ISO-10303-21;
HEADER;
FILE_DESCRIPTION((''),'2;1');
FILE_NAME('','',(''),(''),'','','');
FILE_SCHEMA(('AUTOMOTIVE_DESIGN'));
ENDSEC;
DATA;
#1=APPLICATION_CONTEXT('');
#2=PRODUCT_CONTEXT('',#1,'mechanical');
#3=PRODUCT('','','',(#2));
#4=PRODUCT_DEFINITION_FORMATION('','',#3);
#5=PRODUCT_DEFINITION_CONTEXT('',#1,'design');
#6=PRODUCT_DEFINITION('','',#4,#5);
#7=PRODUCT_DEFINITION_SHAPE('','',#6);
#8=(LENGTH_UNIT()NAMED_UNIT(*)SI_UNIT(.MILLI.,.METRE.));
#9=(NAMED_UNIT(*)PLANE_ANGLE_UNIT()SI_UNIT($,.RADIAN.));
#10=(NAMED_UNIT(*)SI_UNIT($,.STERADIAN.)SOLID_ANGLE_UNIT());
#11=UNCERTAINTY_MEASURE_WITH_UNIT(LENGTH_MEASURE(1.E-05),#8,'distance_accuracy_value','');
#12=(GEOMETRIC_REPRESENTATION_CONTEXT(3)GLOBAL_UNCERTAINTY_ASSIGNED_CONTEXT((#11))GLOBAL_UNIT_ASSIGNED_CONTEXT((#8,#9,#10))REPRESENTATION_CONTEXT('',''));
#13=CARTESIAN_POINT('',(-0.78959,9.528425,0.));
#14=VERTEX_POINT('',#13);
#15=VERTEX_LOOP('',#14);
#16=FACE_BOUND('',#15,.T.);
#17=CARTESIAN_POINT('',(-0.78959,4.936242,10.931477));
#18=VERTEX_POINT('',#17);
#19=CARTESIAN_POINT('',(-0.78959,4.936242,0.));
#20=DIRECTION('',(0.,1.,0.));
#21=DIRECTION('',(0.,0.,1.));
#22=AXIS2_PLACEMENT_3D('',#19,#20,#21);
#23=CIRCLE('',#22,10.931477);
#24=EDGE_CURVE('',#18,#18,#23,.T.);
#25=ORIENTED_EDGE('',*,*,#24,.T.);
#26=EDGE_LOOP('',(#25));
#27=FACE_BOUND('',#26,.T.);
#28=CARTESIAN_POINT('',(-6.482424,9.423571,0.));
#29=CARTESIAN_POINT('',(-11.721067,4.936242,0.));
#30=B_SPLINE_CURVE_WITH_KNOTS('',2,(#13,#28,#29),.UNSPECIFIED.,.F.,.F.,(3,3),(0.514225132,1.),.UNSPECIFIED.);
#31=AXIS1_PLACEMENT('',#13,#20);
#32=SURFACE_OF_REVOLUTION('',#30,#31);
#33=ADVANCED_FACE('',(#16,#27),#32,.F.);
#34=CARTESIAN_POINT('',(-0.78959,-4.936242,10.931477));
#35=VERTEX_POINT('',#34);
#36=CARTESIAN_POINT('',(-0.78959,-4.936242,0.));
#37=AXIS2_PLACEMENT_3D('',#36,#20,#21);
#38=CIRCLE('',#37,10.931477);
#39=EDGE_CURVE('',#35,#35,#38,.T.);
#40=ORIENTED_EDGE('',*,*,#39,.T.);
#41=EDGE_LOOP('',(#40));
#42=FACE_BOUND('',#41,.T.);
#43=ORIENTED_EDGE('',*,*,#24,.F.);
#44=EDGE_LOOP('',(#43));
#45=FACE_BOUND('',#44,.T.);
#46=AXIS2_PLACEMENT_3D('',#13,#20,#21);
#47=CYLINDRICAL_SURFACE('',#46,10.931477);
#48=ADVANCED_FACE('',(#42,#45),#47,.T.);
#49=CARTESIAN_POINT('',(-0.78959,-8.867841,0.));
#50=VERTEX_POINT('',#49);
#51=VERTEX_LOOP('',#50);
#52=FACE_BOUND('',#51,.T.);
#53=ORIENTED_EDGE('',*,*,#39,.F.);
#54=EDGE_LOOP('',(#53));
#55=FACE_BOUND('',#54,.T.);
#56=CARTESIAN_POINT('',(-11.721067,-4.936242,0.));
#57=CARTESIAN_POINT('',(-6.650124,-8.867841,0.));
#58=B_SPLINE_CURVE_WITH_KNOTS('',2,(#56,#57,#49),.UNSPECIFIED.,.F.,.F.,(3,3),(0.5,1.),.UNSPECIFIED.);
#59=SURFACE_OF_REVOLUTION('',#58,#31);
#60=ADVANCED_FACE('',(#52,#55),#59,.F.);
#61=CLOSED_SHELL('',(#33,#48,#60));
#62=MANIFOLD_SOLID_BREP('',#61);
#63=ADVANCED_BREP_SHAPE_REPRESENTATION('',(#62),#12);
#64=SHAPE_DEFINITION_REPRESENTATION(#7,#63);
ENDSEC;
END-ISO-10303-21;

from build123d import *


with BuildPart() as part:
    # Sketch3 → Revolve4 (revolve)
    with BuildSketch(Plane.XY, mode=Mode.PRIVATE) as revolve4_sk:
        with BuildLine():
            Line((-11.721067324, 4.936241933), (-11.721067324, -4.936241933))
            add(Edge.make_bspline(
                [(-0.789590036, -8.867840545), (-6.650123698, -8.867840545), (-11.721067324, -4.936241933)],
                knots=[0.5, 0.5, 0.5, 1, 1, 1], degree=2))
            Line((-0.789590036, -8.867840545), (-0.789590036, 9.52842534))
            add(Edge.make_bspline(
                [(-0.789590036, 9.52842534), (-6.482424423, 9.423571495), (-11.721067324, 4.936241933)],
                knots=[0.514225132, 0.514225132, 0.514225132, 1, 1, 1], degree=2))
        make_face()
    revolve(revolve4_sk.sketch.rotate(Axis((-0.789590036, 9.52842534, 0), (0, -1, 0)), 270), axis=Axis((-0.789590036, 9.52842534, 0), (0, -1, 0)))


solid = part.part
